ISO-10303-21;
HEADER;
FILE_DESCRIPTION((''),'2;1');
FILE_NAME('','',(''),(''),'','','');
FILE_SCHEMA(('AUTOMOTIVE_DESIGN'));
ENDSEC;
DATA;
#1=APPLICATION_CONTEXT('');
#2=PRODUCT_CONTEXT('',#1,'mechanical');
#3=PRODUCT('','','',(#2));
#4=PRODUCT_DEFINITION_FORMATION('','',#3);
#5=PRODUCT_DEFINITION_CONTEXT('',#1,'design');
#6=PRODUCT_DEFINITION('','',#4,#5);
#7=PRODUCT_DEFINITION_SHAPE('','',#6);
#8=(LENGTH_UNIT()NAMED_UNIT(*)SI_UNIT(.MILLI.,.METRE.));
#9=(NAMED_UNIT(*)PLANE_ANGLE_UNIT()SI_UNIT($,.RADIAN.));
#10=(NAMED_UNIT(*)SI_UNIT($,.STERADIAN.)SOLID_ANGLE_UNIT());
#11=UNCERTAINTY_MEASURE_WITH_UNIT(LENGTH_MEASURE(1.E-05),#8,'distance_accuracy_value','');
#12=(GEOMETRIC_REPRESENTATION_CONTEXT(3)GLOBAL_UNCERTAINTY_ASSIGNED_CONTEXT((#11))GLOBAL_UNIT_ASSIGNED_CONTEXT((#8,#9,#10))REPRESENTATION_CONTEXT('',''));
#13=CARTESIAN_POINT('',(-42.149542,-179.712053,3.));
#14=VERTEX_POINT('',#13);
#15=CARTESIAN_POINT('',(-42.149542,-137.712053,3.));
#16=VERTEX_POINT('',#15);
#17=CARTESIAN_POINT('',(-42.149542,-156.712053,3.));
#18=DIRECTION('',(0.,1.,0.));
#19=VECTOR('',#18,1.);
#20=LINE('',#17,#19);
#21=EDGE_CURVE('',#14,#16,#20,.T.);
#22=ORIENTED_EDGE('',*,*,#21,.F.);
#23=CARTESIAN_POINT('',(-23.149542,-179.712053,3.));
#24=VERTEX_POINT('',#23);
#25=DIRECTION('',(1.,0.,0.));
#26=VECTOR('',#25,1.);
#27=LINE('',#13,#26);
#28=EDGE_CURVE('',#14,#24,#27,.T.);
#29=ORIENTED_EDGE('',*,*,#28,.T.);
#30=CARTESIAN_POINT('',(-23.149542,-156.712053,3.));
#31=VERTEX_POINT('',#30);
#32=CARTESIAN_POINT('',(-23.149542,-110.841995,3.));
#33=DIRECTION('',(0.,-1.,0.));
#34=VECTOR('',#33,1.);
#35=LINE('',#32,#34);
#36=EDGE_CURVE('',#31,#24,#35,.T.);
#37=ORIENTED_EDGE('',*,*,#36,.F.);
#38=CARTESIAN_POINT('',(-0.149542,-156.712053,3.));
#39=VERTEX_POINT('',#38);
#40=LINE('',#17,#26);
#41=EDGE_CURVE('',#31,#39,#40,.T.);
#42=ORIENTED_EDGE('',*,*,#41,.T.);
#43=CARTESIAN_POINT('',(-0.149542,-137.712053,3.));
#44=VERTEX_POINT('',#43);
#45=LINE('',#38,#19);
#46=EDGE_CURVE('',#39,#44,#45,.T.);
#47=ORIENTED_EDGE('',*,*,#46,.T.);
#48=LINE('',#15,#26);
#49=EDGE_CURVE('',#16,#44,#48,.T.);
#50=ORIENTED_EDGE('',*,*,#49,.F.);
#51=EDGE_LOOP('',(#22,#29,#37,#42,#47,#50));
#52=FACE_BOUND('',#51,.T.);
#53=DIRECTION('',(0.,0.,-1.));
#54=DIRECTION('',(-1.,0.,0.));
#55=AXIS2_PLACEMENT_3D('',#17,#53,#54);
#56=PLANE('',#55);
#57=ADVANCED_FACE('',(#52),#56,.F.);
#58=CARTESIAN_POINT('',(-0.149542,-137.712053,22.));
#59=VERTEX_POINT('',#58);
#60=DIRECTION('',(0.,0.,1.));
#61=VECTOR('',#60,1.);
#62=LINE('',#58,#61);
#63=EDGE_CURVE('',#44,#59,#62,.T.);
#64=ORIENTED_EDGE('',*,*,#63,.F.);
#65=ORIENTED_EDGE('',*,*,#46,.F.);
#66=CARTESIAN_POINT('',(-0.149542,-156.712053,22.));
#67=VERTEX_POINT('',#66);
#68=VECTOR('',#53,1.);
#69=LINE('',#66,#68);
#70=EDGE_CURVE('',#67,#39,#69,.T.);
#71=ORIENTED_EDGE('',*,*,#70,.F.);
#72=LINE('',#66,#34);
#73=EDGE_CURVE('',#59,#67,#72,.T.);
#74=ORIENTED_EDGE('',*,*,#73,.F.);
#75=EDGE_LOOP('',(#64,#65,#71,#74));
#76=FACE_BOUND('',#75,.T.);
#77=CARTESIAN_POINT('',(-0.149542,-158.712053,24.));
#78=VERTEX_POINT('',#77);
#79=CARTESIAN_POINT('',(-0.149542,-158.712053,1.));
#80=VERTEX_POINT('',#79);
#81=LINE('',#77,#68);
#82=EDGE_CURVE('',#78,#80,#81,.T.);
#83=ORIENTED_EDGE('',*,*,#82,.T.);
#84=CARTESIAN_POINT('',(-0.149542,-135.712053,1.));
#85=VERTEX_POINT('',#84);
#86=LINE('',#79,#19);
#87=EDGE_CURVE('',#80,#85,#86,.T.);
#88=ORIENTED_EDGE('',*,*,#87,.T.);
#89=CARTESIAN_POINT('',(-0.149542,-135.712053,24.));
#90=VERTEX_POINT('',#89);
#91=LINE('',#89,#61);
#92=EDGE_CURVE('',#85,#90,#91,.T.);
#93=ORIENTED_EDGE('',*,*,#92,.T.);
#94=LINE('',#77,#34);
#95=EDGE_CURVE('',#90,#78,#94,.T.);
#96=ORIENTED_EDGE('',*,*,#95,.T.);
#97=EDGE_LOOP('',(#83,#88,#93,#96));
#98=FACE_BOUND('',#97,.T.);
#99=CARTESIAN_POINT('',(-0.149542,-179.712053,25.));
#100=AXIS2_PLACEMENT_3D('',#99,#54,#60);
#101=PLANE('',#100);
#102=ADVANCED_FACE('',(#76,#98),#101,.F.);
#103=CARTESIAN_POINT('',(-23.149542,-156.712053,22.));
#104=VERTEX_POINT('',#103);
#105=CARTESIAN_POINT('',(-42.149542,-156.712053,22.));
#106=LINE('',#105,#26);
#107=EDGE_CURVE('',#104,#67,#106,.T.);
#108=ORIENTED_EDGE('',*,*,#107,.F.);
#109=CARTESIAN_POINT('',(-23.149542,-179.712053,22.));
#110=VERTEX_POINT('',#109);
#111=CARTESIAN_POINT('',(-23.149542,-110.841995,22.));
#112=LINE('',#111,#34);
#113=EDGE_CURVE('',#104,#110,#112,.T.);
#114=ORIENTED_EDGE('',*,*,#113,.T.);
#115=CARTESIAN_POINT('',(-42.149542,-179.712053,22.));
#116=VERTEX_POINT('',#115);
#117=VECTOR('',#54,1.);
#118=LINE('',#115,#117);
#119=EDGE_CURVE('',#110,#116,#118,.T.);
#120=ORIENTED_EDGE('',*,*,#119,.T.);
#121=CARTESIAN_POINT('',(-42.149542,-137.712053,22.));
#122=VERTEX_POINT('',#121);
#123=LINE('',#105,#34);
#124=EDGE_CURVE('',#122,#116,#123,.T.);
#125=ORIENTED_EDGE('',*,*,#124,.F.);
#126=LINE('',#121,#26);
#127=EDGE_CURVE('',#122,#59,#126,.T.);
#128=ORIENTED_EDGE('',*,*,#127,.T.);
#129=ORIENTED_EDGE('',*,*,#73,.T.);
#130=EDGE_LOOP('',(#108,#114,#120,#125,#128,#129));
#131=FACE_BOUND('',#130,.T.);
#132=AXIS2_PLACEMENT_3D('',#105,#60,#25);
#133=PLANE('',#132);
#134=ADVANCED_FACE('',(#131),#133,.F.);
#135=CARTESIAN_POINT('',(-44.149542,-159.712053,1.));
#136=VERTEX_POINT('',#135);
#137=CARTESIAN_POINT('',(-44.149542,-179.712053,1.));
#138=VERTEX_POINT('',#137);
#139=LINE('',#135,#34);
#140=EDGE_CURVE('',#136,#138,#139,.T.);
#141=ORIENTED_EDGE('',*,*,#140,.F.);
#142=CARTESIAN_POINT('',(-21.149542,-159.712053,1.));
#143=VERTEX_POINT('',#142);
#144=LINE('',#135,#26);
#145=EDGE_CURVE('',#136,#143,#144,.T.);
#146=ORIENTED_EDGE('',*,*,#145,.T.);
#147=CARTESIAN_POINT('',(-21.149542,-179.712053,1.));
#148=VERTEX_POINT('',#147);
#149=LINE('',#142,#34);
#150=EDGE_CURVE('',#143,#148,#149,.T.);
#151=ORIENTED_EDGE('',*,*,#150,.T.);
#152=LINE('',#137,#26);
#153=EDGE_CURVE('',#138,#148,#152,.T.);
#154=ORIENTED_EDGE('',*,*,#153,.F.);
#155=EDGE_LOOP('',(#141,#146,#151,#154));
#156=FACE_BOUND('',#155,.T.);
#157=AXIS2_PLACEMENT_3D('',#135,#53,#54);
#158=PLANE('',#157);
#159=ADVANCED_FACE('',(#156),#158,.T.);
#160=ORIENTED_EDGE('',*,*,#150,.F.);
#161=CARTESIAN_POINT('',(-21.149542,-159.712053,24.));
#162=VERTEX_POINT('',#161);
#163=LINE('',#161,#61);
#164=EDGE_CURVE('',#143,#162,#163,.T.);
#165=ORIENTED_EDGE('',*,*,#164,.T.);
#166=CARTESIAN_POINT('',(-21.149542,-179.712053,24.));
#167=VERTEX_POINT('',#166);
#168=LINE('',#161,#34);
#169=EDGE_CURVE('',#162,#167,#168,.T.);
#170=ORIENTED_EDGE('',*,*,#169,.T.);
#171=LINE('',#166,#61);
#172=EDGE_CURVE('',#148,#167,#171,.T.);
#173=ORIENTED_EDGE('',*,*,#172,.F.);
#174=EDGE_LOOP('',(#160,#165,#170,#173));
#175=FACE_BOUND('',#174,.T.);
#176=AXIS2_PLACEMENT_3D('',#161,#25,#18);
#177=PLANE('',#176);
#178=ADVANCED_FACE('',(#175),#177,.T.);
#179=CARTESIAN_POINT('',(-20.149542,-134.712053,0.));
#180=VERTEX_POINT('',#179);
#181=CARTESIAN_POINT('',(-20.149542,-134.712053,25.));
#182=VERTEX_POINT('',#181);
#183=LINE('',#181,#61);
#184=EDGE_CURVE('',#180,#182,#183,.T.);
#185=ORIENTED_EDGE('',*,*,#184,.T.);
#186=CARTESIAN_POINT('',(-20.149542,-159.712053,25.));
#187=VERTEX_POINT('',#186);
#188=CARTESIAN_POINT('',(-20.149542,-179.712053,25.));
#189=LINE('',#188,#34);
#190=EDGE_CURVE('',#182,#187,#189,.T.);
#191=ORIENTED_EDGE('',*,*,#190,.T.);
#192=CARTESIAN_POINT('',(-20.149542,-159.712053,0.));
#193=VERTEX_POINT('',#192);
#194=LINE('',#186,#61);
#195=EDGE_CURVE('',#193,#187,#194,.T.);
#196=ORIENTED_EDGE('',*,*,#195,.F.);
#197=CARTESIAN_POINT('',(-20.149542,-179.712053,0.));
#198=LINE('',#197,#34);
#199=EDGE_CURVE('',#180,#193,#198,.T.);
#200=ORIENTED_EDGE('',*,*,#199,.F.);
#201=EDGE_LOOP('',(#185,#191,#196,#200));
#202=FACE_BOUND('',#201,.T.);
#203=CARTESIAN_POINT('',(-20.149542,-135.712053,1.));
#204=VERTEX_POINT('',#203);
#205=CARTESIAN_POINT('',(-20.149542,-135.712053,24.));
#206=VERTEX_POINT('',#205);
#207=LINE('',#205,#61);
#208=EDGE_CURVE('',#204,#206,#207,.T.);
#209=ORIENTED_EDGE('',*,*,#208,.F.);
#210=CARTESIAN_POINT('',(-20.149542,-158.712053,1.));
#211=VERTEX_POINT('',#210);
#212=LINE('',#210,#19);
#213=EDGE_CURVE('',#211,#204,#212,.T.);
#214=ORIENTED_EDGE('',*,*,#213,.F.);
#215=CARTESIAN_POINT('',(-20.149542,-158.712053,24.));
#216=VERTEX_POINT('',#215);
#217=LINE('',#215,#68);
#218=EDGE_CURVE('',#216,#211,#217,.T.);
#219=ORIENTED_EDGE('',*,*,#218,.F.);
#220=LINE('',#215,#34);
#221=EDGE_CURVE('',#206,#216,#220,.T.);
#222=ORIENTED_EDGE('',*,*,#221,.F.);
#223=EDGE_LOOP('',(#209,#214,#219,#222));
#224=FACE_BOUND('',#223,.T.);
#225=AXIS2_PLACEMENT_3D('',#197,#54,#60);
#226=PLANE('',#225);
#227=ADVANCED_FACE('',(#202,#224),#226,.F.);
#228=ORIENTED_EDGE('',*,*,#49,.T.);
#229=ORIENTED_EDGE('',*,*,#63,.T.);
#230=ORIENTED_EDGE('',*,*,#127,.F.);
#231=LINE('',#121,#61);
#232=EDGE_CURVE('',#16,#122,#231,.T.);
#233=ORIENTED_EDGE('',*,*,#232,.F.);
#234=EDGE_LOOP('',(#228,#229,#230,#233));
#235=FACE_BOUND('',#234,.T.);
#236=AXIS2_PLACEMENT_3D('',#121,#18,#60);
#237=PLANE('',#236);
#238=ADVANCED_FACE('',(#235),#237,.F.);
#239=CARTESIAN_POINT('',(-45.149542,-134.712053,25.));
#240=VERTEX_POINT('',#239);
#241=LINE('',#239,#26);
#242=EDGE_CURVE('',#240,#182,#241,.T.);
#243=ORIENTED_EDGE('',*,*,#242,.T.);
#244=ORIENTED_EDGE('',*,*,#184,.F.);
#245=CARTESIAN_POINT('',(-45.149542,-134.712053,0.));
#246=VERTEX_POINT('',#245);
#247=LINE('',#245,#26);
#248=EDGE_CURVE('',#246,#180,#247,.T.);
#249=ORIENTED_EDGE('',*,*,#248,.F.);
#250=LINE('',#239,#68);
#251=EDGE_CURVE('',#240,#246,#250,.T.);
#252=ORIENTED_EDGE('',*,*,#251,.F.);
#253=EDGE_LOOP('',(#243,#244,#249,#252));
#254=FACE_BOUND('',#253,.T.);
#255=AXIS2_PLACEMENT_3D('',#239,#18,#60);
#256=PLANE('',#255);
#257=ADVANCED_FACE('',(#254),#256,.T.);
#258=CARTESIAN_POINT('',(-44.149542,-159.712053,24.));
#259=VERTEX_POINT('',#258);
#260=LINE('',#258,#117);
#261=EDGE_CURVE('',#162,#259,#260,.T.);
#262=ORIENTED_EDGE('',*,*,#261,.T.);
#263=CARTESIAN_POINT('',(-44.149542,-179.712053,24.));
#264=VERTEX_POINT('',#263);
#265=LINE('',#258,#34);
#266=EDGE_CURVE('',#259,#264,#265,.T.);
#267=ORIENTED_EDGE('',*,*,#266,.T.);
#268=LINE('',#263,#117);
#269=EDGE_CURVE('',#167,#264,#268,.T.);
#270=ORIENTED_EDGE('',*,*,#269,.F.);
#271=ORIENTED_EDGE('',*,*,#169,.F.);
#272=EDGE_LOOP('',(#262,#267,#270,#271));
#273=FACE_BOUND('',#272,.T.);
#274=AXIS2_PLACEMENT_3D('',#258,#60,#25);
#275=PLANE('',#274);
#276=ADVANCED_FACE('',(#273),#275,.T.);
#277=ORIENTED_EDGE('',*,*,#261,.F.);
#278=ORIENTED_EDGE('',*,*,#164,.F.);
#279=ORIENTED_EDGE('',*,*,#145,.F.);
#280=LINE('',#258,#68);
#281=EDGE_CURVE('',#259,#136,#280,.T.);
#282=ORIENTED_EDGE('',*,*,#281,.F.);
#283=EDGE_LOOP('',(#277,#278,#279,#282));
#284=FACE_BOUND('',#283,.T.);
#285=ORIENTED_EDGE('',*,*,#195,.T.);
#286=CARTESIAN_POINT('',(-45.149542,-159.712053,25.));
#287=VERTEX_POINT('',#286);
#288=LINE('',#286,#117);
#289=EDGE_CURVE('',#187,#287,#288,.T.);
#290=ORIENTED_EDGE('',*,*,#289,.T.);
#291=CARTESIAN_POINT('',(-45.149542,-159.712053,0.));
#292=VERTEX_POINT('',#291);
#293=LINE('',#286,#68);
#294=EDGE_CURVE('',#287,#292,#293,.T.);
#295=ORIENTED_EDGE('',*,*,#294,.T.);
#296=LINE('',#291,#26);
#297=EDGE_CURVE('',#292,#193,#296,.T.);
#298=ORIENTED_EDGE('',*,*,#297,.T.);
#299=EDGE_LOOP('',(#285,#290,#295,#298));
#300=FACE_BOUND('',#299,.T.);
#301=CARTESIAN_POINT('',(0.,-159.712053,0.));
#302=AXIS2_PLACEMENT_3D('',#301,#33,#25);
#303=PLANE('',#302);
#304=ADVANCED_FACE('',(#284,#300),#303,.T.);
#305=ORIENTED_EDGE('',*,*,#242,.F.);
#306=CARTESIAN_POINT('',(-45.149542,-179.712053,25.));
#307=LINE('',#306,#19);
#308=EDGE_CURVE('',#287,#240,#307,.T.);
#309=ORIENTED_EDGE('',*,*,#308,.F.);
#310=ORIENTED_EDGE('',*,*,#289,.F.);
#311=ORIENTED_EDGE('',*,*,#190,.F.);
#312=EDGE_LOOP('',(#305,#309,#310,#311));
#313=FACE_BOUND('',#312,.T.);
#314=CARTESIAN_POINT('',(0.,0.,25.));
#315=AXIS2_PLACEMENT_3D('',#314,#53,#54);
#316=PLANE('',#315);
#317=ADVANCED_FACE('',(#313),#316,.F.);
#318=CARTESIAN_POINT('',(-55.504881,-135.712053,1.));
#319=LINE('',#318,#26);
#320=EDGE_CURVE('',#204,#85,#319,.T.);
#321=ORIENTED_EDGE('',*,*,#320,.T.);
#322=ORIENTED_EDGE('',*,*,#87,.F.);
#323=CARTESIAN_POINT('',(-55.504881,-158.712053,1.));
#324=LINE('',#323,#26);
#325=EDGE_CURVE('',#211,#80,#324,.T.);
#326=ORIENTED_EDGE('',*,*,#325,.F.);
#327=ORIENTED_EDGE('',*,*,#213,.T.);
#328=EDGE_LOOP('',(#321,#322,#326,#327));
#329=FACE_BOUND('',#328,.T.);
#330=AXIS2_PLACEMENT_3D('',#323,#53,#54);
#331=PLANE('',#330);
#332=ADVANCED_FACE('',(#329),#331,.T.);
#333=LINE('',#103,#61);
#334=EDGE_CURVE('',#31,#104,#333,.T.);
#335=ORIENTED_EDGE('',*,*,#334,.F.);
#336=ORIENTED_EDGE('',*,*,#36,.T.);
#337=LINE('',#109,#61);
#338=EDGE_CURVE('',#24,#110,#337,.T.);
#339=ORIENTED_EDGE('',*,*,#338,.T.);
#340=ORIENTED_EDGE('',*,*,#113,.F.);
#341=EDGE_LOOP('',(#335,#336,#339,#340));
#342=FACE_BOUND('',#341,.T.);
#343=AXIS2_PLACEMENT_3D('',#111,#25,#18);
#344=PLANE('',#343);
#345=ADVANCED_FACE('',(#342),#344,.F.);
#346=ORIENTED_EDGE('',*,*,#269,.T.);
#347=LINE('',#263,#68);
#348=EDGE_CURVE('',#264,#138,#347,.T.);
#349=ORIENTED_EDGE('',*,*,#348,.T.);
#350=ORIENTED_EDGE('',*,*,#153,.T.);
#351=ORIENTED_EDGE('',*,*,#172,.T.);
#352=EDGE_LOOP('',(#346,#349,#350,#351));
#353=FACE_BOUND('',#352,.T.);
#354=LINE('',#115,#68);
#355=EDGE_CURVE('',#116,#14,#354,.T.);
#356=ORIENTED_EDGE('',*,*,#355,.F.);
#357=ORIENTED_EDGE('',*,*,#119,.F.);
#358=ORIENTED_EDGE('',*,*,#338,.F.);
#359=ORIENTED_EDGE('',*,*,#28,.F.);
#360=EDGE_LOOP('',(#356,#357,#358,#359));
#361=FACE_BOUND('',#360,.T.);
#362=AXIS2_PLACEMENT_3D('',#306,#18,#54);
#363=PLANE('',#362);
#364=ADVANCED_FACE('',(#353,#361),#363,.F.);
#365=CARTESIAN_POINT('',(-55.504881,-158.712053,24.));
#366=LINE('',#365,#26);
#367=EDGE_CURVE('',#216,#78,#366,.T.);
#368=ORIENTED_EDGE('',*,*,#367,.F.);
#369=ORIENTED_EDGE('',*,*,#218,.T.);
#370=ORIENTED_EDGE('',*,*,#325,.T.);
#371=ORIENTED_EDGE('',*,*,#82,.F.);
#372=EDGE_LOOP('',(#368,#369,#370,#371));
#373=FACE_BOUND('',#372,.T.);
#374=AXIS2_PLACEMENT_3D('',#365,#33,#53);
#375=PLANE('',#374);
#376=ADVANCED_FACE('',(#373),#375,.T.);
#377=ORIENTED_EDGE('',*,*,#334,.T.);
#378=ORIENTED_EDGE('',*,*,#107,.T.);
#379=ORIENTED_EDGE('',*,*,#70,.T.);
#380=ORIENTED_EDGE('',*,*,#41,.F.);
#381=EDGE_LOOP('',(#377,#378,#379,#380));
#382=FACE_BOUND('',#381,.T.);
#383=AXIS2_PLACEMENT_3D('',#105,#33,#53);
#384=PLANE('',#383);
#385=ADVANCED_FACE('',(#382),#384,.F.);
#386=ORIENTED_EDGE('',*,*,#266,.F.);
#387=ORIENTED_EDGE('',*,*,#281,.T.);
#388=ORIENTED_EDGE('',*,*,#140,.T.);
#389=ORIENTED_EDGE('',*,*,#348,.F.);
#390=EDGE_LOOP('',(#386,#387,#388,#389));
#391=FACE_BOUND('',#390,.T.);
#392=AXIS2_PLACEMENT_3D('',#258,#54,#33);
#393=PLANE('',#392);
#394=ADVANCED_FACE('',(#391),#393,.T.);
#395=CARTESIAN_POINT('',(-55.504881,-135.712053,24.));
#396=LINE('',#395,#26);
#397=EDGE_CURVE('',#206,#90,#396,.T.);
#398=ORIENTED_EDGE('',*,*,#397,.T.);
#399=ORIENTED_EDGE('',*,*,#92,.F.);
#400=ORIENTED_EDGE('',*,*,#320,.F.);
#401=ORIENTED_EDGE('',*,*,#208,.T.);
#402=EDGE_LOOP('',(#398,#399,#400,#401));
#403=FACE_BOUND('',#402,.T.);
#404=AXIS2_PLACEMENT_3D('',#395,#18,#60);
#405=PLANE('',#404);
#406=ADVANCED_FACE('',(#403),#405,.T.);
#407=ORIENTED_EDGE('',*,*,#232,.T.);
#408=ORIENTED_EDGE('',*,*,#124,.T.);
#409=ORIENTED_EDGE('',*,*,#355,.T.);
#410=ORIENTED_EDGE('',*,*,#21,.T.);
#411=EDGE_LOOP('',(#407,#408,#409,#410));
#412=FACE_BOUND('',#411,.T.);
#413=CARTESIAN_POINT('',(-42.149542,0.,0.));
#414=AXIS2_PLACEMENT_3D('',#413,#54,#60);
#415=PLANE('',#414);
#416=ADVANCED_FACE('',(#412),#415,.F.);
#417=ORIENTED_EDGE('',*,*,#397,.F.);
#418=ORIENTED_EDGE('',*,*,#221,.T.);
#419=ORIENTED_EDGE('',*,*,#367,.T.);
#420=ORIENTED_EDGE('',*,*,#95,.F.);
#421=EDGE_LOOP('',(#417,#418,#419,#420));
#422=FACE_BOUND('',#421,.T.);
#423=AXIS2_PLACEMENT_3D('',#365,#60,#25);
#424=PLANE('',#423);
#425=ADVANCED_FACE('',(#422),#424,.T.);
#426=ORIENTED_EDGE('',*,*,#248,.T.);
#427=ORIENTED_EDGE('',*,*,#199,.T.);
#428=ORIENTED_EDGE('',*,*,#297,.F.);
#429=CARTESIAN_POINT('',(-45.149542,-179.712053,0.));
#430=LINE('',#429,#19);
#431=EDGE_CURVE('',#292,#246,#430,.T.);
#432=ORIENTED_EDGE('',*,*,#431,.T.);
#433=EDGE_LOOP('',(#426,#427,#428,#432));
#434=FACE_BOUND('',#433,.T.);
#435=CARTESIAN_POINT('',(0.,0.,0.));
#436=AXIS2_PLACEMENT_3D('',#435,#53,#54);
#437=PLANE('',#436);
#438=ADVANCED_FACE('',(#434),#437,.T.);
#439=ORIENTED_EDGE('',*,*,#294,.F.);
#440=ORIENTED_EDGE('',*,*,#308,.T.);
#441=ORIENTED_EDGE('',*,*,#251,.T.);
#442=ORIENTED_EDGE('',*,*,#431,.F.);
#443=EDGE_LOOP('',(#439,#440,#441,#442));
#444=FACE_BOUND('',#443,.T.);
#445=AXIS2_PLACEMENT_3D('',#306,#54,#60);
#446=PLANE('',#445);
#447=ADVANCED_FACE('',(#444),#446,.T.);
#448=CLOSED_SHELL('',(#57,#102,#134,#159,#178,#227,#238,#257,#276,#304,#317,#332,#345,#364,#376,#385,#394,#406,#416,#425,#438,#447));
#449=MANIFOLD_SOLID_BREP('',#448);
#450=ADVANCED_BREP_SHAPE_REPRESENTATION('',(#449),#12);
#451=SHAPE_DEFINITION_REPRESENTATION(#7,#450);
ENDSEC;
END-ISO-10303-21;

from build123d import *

# Parameters (mm, degrees)
SKETCH1_W           = 45
SKETCH1_H           = 45
BOSS_EXTRUDE1_DEPTH = 25
SKETCH2_W           = 20
SKETCH2_H           = 20
CUT_EXTRUDE1_DEPTH  = 187.975674979
SKETCH3_W           = 25
SKETCH3_H           = 25
SKETCH3_W_2         = 23
SKETCH3_H_2         = 23
CUT_EXTRUDE2_DEPTH  = 20
SKETCH4_W           = 25
SKETCH4_H           = 25
SKETCH4_W_2         = 23
SKETCH4_H_2         = 23
CUT_EXTRUDE3_DEPTH  = 20
SKETCH7_W           = 19
SKETCH7_H           = 19
CUT_EXTRUDE7_DEPTH  = 42
SKETCH8_W           = 19
SKETCH8_H           = 19
CUT_EXTRUDE8_DEPTH  = 42


with BuildPart() as part:
    # Sketch1 → Boss-Extrude1 (new body)
    with BuildSketch(Plane.XY):
        with Locations((-22.649542037, -157.212052706)):
            Rectangle(SKETCH1_W, SKETCH1_H)
    extrude(amount=BOSS_EXTRUDE1_DEPTH)

    # Sketch2 → Cut-Extrude1 (cut, through all)
    with BuildSketch(Plane.XY.offset(25)):
        with Locations((-10.149542037, -169.712052706)):
            Rectangle(SKETCH2_W, SKETCH2_H)
    extrude(amount=-CUT_EXTRUDE1_DEPTH, mode=Mode.SUBTRACT)

    # Sketch3 → Cut-Extrude2 (cut)
    with BuildSketch(Plane(origin=(-0.149542037, 0, 0), x_dir=(0, 0, -1), z_dir=(1, 0, 0))):
        with Locations((-12.5, -147.212052706)):
            Rectangle(SKETCH3_W, SKETCH3_H)
        with Locations((-12.5, -147.212052706)):
            Rectangle(SKETCH3_W_2, SKETCH3_H_2, mode=Mode.SUBTRACT)
    extrude(amount=-CUT_EXTRUDE2_DEPTH, mode=Mode.SUBTRACT)

    # Sketch4 → Cut-Extrude3 (cut)
    with BuildSketch(Plane.XZ.offset(179.712052706)):
        with Locations((-32.649542037, 12.5)):
            Rectangle(SKETCH4_W, SKETCH4_H)
        with Locations((-32.649542037, 12.5)):
            Rectangle(SKETCH4_W_2, SKETCH4_H_2, mode=Mode.SUBTRACT)
    extrude(amount=-CUT_EXTRUDE3_DEPTH, mode=Mode.SUBTRACT)

    # Sketch7 → Cut-Extrude7 (cut)
    with BuildSketch(Plane(origin=(-0.149542037, 0, 0), x_dir=(0, 0, -1), z_dir=(1, 0, 0))):
        with Locations((-12.5, -147.212052706)):
            Rectangle(SKETCH7_W, SKETCH7_H)
    extrude(amount=-CUT_EXTRUDE7_DEPTH, mode=Mode.SUBTRACT)

    # Sketch8 → Cut-Extrude8 (cut)
    with BuildSketch(Plane.XZ.offset(179.712052706)):
        with Locations((-32.649542037, 12.5)):
            Rectangle(SKETCH8_W, SKETCH8_H)
    extrude(amount=-CUT_EXTRUDE8_DEPTH, mode=Mode.SUBTRACT)


solid = part.part
